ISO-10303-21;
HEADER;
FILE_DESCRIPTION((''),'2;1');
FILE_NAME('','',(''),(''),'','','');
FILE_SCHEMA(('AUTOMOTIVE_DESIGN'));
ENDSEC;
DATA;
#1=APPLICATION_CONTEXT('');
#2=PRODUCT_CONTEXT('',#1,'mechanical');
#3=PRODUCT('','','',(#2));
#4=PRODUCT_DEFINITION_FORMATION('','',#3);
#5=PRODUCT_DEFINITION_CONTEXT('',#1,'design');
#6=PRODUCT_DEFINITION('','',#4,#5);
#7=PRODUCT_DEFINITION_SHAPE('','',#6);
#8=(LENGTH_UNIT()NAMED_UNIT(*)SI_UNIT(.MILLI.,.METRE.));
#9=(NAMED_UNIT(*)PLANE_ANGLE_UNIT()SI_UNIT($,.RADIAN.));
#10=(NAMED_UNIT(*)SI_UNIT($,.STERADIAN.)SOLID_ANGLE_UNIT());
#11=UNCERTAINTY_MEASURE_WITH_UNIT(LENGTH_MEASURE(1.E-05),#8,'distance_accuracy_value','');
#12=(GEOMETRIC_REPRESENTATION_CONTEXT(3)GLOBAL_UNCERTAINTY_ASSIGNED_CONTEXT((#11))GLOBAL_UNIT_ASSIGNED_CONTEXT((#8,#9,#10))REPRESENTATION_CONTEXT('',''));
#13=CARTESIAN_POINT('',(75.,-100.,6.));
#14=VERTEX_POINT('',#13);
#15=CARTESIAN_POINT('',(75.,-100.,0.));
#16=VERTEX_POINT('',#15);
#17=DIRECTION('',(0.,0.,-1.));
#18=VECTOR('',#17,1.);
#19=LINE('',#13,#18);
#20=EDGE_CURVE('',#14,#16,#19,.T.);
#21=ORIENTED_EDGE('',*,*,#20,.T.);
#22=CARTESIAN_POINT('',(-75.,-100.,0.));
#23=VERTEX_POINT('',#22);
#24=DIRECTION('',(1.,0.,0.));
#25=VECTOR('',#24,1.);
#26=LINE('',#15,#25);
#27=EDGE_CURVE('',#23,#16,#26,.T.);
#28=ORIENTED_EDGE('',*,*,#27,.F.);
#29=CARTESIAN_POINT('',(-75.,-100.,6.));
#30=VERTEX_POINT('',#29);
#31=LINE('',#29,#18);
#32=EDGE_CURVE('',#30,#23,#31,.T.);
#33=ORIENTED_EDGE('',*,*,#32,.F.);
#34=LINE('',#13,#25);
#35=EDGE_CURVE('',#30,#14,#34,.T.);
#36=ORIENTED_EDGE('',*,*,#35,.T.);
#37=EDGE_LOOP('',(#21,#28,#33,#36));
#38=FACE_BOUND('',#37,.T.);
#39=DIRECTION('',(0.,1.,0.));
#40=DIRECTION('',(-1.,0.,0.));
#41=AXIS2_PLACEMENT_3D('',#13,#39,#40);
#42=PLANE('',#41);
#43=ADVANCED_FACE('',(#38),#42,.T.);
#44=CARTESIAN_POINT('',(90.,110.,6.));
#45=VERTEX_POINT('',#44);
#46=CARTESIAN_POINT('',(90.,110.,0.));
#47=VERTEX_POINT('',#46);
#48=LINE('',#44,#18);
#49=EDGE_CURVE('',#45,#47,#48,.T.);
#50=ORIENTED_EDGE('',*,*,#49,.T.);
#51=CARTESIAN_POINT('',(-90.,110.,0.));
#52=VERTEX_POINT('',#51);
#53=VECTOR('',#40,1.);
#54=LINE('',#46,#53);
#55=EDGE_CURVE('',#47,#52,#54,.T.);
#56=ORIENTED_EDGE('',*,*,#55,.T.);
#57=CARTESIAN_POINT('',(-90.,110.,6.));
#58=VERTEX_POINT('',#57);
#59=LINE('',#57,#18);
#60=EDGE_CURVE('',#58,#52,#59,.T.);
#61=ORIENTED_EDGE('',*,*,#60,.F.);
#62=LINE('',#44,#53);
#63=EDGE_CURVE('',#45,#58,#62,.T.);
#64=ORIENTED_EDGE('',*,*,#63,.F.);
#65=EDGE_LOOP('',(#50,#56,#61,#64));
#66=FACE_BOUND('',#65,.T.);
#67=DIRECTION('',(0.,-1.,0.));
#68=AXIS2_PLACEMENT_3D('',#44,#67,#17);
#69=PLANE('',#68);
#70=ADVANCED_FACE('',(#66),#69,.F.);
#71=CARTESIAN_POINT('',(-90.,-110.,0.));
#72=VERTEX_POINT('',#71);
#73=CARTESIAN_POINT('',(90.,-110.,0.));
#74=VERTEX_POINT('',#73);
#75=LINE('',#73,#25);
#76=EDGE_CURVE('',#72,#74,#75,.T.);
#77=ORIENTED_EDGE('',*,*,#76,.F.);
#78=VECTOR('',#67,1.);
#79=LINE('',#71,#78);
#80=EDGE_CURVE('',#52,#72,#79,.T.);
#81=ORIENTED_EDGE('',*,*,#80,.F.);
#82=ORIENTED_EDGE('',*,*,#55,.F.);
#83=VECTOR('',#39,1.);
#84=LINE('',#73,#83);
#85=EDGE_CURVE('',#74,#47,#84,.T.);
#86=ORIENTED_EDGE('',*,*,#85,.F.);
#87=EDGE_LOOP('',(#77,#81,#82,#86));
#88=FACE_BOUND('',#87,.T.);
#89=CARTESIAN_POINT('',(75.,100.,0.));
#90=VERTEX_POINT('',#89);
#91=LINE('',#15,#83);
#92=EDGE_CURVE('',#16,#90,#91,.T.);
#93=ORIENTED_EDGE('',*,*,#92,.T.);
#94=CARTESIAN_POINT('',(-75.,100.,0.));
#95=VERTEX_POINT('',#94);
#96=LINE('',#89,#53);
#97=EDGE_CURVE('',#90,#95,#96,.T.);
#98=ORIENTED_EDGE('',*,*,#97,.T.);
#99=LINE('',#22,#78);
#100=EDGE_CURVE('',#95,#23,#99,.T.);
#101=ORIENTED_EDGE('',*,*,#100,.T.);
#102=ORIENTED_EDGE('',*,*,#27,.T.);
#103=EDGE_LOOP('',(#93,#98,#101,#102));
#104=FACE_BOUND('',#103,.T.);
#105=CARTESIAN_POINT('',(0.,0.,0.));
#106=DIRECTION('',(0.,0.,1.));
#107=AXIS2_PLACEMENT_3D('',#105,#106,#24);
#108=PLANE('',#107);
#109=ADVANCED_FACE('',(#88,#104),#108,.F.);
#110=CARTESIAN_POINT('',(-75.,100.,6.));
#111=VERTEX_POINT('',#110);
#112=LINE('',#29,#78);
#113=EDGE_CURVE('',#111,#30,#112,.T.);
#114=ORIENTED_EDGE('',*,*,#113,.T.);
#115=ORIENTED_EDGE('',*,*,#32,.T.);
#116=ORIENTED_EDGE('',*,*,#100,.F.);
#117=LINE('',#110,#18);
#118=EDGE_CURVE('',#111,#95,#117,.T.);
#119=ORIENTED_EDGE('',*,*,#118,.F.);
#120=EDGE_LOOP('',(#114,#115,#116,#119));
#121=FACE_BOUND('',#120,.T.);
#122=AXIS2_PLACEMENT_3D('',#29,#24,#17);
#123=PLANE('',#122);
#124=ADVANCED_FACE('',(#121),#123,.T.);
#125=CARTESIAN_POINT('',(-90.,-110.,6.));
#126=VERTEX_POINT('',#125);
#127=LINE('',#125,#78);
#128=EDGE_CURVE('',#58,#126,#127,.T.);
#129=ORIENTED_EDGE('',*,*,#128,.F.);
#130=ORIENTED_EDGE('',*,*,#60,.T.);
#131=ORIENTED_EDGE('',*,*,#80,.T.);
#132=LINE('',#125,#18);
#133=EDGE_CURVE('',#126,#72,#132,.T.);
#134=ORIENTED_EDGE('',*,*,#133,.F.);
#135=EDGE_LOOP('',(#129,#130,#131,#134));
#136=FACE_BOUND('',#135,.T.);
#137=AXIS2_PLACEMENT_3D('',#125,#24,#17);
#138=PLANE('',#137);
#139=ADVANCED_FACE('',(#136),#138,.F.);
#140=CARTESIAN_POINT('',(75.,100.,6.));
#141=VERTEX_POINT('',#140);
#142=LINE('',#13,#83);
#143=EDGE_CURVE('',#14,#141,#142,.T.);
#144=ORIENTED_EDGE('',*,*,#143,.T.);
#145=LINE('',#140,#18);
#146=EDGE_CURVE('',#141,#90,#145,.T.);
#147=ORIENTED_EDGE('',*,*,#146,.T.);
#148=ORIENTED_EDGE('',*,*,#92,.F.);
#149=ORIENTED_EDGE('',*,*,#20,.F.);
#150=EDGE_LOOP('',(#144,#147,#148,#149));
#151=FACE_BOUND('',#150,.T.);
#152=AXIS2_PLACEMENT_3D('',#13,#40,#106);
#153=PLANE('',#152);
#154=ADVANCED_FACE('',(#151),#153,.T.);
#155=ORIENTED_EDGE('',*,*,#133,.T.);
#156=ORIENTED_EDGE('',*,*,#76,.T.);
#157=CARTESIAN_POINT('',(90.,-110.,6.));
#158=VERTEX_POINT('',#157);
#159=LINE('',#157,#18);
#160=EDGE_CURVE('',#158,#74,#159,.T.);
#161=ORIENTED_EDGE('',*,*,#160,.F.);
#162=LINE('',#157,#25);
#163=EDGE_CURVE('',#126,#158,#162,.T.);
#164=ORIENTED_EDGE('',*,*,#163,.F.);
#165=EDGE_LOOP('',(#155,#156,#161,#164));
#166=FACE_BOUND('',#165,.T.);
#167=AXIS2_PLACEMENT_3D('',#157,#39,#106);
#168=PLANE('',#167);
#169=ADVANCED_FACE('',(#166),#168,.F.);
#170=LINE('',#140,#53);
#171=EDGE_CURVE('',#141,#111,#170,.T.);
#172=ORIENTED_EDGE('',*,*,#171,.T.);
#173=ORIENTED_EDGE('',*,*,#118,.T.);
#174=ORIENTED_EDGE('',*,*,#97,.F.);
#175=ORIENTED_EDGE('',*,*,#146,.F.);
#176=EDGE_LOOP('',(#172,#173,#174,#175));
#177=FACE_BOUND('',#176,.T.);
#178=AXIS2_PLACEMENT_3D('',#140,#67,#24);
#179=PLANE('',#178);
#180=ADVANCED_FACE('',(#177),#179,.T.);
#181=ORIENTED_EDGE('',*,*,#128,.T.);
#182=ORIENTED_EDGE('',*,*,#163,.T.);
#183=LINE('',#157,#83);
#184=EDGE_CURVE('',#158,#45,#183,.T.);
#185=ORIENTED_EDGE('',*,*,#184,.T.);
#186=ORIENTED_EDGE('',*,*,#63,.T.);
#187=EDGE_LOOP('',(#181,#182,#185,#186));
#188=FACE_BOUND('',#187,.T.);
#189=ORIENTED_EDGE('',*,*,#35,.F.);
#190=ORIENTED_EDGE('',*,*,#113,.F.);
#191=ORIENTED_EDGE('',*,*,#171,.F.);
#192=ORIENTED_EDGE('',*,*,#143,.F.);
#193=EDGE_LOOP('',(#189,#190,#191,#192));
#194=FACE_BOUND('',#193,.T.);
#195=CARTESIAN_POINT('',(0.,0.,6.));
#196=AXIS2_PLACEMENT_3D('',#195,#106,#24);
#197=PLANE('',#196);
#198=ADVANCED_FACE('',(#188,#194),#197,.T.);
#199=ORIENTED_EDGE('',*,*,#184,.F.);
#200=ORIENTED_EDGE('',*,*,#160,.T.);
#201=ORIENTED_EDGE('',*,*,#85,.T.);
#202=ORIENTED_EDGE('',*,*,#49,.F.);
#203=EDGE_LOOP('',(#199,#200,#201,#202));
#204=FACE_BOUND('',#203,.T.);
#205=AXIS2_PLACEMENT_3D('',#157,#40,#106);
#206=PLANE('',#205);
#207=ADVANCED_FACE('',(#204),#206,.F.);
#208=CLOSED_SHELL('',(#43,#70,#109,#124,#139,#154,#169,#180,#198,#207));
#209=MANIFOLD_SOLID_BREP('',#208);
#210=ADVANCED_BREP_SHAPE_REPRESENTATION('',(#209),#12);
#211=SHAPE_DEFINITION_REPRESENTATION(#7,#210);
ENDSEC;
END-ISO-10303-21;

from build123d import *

# Parameters (mm, degrees)
SKETCH_1_W      = 180
SKETCH_1_H      = 220
SKETCH_1_W_2    = 150
SKETCH_1_H_2    = 200
EXTRUDE_1_DEPTH = 6


with BuildPart() as part:
    # Эскиз1 → Бобышка-Вытянуть1 (new body)
    with BuildSketch(Plane.XY):
        Rectangle(SKETCH_1_W, SKETCH_1_H)
        Rectangle(SKETCH_1_W_2, SKETCH_1_H_2, mode=Mode.SUBTRACT)
    extrude(amount=EXTRUDE_1_DEPTH)


solid = part.part
